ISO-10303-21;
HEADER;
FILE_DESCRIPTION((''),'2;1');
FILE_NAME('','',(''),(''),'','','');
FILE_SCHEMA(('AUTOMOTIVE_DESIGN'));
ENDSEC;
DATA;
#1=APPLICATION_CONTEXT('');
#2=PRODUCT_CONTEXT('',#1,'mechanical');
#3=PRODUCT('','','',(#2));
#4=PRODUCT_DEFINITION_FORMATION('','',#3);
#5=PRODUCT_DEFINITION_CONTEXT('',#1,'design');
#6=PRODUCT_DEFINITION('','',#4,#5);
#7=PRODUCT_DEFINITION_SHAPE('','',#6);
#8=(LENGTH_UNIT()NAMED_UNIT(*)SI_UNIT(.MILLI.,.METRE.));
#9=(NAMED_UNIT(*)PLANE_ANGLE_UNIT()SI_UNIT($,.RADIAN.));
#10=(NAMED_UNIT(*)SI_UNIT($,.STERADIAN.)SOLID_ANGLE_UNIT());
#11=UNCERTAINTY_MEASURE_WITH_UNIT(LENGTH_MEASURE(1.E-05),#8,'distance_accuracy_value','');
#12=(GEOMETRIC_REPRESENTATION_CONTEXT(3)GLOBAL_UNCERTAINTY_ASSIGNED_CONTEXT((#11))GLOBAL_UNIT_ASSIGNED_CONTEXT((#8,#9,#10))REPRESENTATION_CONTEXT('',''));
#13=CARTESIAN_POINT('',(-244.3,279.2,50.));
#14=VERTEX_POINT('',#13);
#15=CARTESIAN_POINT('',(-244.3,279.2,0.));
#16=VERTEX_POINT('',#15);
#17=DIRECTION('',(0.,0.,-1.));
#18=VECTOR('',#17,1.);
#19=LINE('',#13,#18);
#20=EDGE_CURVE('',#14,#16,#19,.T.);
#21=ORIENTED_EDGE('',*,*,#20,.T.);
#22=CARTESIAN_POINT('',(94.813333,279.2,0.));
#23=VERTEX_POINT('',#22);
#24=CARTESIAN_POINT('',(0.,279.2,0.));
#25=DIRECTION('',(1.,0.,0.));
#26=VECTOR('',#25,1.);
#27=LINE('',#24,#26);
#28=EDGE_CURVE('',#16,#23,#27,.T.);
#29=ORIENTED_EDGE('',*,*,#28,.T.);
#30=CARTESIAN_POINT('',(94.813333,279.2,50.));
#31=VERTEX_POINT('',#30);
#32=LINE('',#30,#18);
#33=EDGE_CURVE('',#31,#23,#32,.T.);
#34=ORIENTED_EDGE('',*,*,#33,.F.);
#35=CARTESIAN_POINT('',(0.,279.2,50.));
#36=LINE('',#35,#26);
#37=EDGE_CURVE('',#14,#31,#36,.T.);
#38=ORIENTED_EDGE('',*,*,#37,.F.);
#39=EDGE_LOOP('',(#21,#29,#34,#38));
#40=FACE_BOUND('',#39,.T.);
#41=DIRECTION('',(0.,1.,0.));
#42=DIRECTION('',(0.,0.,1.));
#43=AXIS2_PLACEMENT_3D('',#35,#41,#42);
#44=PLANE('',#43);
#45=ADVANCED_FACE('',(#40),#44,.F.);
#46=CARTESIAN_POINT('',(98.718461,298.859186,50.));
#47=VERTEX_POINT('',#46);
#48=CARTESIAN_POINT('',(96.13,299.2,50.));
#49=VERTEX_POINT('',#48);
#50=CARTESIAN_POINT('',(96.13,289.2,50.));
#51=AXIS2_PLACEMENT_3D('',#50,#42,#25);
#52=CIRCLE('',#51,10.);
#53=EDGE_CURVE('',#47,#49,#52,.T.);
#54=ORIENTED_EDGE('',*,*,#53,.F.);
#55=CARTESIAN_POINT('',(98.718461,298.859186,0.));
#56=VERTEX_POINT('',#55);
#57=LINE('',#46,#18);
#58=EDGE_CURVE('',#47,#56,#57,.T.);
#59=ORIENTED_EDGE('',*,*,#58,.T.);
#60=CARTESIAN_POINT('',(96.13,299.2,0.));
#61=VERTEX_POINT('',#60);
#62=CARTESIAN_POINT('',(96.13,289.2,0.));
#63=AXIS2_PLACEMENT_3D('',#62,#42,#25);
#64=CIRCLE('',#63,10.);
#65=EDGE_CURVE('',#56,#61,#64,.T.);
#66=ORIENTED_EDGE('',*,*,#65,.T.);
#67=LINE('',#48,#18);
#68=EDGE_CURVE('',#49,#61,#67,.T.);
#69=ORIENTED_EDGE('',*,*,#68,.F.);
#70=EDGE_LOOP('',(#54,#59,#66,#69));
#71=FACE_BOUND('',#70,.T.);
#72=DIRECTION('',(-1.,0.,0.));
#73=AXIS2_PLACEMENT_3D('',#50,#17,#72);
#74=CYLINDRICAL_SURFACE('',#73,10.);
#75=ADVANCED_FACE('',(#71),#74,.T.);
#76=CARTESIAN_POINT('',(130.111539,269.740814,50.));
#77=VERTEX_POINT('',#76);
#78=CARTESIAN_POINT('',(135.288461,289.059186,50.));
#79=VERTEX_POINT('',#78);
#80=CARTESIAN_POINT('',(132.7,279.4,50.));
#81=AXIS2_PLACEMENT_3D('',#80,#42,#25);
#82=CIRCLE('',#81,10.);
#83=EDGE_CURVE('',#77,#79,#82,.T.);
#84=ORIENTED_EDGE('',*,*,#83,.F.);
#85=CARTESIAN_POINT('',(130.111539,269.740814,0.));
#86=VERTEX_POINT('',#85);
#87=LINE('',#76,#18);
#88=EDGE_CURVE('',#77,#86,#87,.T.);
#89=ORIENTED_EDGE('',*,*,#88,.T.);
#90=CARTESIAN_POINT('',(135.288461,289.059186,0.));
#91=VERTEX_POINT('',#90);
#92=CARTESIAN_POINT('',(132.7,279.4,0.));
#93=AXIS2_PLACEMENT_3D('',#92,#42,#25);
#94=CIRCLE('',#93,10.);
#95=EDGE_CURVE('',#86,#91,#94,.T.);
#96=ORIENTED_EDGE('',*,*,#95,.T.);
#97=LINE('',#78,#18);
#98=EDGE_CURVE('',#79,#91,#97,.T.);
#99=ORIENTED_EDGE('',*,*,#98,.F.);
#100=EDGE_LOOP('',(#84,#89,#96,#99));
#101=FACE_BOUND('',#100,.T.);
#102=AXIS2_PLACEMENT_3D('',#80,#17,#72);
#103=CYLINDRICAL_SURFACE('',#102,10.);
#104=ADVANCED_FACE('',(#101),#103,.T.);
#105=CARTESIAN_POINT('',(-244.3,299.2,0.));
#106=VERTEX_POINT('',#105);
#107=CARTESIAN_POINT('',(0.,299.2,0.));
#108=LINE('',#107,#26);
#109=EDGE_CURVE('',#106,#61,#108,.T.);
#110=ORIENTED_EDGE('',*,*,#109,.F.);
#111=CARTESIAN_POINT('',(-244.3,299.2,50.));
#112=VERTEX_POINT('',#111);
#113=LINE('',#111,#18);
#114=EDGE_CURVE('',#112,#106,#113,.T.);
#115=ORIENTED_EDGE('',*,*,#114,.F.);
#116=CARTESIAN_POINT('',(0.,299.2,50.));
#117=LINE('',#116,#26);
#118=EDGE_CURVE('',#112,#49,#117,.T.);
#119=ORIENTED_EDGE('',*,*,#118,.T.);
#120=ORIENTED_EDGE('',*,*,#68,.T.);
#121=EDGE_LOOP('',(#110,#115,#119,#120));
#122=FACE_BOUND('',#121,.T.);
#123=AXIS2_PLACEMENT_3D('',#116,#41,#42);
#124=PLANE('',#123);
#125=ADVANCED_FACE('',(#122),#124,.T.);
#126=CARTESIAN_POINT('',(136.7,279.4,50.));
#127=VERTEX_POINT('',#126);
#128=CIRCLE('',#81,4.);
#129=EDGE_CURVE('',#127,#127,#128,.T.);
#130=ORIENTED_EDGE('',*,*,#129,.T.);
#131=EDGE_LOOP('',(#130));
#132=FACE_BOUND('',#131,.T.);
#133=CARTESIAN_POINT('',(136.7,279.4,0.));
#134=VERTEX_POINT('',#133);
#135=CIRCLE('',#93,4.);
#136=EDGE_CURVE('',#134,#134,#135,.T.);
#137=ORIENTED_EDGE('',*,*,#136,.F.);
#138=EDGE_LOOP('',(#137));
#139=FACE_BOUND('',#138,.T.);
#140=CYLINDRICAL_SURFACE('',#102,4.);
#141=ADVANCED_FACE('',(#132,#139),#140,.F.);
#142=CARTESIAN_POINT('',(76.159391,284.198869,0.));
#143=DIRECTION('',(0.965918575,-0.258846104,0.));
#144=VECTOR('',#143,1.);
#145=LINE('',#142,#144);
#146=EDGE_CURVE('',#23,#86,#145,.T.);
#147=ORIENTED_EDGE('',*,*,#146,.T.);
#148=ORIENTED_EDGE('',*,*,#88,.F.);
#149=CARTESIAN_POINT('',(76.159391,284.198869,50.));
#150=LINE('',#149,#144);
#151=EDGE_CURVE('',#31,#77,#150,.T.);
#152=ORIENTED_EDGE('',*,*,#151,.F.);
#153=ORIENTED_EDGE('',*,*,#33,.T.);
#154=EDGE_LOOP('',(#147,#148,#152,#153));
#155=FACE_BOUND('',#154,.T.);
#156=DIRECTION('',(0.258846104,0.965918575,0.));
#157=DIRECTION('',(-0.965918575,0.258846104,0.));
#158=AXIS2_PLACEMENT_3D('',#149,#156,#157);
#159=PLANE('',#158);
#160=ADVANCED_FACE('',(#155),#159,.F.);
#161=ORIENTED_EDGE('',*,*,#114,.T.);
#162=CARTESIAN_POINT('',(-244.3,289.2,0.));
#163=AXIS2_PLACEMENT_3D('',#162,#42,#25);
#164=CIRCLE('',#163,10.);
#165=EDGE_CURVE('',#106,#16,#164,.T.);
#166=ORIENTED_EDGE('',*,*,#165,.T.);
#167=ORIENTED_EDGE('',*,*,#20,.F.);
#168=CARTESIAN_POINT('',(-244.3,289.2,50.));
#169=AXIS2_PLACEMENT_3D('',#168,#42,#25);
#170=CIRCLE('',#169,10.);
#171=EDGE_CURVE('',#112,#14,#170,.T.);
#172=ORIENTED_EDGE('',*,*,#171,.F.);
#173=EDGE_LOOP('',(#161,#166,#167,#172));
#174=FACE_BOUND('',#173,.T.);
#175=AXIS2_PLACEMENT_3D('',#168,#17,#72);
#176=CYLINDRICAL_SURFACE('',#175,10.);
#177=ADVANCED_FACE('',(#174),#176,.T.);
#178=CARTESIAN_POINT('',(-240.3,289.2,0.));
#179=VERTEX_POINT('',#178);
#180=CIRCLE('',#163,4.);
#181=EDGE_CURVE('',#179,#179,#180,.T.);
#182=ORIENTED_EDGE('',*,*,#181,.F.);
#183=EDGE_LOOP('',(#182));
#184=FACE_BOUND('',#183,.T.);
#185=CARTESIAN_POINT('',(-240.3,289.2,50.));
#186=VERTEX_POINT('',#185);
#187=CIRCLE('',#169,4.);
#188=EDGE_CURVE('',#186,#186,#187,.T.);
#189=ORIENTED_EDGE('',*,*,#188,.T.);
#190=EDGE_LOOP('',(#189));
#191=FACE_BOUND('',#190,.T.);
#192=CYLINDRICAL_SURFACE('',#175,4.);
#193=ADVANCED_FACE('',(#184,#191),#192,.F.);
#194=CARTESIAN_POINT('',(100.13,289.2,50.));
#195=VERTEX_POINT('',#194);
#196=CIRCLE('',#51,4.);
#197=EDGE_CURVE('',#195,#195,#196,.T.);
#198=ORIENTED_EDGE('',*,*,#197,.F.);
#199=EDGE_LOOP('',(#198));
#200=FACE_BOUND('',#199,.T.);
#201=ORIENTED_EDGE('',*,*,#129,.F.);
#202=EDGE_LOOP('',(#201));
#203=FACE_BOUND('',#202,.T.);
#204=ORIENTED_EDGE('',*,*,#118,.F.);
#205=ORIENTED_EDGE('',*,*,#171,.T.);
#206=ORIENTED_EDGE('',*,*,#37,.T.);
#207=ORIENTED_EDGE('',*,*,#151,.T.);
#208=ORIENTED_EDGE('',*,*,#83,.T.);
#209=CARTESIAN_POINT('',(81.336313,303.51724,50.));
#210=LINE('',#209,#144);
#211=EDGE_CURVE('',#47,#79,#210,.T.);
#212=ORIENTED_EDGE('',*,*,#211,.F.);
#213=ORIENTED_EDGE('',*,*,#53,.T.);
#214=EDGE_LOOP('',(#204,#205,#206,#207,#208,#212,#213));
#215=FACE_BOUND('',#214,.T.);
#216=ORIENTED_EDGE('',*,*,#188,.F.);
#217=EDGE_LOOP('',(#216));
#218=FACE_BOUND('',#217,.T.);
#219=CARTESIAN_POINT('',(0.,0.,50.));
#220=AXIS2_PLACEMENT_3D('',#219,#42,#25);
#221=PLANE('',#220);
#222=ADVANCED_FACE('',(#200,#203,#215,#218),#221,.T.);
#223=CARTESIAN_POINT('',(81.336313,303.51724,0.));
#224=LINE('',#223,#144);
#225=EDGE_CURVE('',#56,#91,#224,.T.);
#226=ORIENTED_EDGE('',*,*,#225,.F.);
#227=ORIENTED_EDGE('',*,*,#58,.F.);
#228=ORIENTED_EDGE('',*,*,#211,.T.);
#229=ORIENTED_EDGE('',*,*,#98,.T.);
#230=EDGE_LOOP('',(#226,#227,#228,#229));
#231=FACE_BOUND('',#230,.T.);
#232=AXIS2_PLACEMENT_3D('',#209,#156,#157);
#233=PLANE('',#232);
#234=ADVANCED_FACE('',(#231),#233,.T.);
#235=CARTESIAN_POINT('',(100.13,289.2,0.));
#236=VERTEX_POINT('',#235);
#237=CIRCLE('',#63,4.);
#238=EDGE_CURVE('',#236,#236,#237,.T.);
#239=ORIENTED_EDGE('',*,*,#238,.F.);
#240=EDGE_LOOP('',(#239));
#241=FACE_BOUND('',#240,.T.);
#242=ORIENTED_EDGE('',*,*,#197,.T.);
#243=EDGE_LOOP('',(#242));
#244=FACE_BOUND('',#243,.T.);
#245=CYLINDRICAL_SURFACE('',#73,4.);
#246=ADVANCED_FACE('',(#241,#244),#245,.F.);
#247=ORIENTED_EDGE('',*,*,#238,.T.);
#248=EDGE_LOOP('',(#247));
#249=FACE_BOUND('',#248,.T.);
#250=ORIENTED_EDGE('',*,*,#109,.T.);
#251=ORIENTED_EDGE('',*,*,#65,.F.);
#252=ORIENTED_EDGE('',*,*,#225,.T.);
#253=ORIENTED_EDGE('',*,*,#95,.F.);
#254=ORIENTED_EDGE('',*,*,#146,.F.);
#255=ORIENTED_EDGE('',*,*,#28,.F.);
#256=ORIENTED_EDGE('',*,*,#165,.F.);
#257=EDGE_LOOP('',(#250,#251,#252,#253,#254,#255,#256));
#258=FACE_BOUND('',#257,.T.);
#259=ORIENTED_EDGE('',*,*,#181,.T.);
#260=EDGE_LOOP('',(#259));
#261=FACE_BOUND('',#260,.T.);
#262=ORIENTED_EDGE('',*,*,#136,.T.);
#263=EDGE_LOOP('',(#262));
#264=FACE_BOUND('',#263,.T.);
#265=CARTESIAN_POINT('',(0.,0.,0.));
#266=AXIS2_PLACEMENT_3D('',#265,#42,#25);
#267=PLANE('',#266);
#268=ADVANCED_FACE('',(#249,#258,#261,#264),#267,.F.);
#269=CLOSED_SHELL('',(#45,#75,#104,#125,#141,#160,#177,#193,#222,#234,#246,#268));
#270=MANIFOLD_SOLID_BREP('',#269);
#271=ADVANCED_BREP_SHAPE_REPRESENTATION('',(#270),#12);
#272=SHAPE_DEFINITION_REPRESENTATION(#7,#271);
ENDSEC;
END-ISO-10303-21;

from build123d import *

# Parameters (mm, degrees)
SKETCH1_R           = 4
BOSS_EXTRUDE1_DEPTH = 50


with BuildPart() as part:
    # Sketch1 → Boss-Extrude1 (new body)
    with BuildSketch(Plane.XY):
        with BuildLine():
            Line((94.813332526, 279.2), (130.111538956, 269.740814246))
            ThreePointArc((130.111538956, 269.740814246), (142.359185754, 276.811538956), (135.288461044, 289.059185754))
            Line((135.288461044, 289.059185754), (98.718461044, 298.859185754))
            ThreePointArc((98.718461044, 298.859185754), (97.435400794, 299.11443033), (96.13, 299.2))
            Line((96.13, 299.2), (-244.3, 299.2))
            ThreePointArc((-244.3, 299.2), (-254.3, 289.2), (-244.3, 279.2))
            Line((-244.3, 279.2), (94.813332526, 279.2))
        make_face()
        with Locations((96.13, 289.2)):
            Circle(SKETCH1_R, mode=Mode.SUBTRACT)
        with Locations((132.7, 279.4)):
            Circle(SKETCH1_R, mode=Mode.SUBTRACT)
        with Locations((-244.3, 289.2)):
            Circle(SKETCH1_R, mode=Mode.SUBTRACT)
    extrude(amount=BOSS_EXTRUDE1_DEPTH)


solid = part.part
